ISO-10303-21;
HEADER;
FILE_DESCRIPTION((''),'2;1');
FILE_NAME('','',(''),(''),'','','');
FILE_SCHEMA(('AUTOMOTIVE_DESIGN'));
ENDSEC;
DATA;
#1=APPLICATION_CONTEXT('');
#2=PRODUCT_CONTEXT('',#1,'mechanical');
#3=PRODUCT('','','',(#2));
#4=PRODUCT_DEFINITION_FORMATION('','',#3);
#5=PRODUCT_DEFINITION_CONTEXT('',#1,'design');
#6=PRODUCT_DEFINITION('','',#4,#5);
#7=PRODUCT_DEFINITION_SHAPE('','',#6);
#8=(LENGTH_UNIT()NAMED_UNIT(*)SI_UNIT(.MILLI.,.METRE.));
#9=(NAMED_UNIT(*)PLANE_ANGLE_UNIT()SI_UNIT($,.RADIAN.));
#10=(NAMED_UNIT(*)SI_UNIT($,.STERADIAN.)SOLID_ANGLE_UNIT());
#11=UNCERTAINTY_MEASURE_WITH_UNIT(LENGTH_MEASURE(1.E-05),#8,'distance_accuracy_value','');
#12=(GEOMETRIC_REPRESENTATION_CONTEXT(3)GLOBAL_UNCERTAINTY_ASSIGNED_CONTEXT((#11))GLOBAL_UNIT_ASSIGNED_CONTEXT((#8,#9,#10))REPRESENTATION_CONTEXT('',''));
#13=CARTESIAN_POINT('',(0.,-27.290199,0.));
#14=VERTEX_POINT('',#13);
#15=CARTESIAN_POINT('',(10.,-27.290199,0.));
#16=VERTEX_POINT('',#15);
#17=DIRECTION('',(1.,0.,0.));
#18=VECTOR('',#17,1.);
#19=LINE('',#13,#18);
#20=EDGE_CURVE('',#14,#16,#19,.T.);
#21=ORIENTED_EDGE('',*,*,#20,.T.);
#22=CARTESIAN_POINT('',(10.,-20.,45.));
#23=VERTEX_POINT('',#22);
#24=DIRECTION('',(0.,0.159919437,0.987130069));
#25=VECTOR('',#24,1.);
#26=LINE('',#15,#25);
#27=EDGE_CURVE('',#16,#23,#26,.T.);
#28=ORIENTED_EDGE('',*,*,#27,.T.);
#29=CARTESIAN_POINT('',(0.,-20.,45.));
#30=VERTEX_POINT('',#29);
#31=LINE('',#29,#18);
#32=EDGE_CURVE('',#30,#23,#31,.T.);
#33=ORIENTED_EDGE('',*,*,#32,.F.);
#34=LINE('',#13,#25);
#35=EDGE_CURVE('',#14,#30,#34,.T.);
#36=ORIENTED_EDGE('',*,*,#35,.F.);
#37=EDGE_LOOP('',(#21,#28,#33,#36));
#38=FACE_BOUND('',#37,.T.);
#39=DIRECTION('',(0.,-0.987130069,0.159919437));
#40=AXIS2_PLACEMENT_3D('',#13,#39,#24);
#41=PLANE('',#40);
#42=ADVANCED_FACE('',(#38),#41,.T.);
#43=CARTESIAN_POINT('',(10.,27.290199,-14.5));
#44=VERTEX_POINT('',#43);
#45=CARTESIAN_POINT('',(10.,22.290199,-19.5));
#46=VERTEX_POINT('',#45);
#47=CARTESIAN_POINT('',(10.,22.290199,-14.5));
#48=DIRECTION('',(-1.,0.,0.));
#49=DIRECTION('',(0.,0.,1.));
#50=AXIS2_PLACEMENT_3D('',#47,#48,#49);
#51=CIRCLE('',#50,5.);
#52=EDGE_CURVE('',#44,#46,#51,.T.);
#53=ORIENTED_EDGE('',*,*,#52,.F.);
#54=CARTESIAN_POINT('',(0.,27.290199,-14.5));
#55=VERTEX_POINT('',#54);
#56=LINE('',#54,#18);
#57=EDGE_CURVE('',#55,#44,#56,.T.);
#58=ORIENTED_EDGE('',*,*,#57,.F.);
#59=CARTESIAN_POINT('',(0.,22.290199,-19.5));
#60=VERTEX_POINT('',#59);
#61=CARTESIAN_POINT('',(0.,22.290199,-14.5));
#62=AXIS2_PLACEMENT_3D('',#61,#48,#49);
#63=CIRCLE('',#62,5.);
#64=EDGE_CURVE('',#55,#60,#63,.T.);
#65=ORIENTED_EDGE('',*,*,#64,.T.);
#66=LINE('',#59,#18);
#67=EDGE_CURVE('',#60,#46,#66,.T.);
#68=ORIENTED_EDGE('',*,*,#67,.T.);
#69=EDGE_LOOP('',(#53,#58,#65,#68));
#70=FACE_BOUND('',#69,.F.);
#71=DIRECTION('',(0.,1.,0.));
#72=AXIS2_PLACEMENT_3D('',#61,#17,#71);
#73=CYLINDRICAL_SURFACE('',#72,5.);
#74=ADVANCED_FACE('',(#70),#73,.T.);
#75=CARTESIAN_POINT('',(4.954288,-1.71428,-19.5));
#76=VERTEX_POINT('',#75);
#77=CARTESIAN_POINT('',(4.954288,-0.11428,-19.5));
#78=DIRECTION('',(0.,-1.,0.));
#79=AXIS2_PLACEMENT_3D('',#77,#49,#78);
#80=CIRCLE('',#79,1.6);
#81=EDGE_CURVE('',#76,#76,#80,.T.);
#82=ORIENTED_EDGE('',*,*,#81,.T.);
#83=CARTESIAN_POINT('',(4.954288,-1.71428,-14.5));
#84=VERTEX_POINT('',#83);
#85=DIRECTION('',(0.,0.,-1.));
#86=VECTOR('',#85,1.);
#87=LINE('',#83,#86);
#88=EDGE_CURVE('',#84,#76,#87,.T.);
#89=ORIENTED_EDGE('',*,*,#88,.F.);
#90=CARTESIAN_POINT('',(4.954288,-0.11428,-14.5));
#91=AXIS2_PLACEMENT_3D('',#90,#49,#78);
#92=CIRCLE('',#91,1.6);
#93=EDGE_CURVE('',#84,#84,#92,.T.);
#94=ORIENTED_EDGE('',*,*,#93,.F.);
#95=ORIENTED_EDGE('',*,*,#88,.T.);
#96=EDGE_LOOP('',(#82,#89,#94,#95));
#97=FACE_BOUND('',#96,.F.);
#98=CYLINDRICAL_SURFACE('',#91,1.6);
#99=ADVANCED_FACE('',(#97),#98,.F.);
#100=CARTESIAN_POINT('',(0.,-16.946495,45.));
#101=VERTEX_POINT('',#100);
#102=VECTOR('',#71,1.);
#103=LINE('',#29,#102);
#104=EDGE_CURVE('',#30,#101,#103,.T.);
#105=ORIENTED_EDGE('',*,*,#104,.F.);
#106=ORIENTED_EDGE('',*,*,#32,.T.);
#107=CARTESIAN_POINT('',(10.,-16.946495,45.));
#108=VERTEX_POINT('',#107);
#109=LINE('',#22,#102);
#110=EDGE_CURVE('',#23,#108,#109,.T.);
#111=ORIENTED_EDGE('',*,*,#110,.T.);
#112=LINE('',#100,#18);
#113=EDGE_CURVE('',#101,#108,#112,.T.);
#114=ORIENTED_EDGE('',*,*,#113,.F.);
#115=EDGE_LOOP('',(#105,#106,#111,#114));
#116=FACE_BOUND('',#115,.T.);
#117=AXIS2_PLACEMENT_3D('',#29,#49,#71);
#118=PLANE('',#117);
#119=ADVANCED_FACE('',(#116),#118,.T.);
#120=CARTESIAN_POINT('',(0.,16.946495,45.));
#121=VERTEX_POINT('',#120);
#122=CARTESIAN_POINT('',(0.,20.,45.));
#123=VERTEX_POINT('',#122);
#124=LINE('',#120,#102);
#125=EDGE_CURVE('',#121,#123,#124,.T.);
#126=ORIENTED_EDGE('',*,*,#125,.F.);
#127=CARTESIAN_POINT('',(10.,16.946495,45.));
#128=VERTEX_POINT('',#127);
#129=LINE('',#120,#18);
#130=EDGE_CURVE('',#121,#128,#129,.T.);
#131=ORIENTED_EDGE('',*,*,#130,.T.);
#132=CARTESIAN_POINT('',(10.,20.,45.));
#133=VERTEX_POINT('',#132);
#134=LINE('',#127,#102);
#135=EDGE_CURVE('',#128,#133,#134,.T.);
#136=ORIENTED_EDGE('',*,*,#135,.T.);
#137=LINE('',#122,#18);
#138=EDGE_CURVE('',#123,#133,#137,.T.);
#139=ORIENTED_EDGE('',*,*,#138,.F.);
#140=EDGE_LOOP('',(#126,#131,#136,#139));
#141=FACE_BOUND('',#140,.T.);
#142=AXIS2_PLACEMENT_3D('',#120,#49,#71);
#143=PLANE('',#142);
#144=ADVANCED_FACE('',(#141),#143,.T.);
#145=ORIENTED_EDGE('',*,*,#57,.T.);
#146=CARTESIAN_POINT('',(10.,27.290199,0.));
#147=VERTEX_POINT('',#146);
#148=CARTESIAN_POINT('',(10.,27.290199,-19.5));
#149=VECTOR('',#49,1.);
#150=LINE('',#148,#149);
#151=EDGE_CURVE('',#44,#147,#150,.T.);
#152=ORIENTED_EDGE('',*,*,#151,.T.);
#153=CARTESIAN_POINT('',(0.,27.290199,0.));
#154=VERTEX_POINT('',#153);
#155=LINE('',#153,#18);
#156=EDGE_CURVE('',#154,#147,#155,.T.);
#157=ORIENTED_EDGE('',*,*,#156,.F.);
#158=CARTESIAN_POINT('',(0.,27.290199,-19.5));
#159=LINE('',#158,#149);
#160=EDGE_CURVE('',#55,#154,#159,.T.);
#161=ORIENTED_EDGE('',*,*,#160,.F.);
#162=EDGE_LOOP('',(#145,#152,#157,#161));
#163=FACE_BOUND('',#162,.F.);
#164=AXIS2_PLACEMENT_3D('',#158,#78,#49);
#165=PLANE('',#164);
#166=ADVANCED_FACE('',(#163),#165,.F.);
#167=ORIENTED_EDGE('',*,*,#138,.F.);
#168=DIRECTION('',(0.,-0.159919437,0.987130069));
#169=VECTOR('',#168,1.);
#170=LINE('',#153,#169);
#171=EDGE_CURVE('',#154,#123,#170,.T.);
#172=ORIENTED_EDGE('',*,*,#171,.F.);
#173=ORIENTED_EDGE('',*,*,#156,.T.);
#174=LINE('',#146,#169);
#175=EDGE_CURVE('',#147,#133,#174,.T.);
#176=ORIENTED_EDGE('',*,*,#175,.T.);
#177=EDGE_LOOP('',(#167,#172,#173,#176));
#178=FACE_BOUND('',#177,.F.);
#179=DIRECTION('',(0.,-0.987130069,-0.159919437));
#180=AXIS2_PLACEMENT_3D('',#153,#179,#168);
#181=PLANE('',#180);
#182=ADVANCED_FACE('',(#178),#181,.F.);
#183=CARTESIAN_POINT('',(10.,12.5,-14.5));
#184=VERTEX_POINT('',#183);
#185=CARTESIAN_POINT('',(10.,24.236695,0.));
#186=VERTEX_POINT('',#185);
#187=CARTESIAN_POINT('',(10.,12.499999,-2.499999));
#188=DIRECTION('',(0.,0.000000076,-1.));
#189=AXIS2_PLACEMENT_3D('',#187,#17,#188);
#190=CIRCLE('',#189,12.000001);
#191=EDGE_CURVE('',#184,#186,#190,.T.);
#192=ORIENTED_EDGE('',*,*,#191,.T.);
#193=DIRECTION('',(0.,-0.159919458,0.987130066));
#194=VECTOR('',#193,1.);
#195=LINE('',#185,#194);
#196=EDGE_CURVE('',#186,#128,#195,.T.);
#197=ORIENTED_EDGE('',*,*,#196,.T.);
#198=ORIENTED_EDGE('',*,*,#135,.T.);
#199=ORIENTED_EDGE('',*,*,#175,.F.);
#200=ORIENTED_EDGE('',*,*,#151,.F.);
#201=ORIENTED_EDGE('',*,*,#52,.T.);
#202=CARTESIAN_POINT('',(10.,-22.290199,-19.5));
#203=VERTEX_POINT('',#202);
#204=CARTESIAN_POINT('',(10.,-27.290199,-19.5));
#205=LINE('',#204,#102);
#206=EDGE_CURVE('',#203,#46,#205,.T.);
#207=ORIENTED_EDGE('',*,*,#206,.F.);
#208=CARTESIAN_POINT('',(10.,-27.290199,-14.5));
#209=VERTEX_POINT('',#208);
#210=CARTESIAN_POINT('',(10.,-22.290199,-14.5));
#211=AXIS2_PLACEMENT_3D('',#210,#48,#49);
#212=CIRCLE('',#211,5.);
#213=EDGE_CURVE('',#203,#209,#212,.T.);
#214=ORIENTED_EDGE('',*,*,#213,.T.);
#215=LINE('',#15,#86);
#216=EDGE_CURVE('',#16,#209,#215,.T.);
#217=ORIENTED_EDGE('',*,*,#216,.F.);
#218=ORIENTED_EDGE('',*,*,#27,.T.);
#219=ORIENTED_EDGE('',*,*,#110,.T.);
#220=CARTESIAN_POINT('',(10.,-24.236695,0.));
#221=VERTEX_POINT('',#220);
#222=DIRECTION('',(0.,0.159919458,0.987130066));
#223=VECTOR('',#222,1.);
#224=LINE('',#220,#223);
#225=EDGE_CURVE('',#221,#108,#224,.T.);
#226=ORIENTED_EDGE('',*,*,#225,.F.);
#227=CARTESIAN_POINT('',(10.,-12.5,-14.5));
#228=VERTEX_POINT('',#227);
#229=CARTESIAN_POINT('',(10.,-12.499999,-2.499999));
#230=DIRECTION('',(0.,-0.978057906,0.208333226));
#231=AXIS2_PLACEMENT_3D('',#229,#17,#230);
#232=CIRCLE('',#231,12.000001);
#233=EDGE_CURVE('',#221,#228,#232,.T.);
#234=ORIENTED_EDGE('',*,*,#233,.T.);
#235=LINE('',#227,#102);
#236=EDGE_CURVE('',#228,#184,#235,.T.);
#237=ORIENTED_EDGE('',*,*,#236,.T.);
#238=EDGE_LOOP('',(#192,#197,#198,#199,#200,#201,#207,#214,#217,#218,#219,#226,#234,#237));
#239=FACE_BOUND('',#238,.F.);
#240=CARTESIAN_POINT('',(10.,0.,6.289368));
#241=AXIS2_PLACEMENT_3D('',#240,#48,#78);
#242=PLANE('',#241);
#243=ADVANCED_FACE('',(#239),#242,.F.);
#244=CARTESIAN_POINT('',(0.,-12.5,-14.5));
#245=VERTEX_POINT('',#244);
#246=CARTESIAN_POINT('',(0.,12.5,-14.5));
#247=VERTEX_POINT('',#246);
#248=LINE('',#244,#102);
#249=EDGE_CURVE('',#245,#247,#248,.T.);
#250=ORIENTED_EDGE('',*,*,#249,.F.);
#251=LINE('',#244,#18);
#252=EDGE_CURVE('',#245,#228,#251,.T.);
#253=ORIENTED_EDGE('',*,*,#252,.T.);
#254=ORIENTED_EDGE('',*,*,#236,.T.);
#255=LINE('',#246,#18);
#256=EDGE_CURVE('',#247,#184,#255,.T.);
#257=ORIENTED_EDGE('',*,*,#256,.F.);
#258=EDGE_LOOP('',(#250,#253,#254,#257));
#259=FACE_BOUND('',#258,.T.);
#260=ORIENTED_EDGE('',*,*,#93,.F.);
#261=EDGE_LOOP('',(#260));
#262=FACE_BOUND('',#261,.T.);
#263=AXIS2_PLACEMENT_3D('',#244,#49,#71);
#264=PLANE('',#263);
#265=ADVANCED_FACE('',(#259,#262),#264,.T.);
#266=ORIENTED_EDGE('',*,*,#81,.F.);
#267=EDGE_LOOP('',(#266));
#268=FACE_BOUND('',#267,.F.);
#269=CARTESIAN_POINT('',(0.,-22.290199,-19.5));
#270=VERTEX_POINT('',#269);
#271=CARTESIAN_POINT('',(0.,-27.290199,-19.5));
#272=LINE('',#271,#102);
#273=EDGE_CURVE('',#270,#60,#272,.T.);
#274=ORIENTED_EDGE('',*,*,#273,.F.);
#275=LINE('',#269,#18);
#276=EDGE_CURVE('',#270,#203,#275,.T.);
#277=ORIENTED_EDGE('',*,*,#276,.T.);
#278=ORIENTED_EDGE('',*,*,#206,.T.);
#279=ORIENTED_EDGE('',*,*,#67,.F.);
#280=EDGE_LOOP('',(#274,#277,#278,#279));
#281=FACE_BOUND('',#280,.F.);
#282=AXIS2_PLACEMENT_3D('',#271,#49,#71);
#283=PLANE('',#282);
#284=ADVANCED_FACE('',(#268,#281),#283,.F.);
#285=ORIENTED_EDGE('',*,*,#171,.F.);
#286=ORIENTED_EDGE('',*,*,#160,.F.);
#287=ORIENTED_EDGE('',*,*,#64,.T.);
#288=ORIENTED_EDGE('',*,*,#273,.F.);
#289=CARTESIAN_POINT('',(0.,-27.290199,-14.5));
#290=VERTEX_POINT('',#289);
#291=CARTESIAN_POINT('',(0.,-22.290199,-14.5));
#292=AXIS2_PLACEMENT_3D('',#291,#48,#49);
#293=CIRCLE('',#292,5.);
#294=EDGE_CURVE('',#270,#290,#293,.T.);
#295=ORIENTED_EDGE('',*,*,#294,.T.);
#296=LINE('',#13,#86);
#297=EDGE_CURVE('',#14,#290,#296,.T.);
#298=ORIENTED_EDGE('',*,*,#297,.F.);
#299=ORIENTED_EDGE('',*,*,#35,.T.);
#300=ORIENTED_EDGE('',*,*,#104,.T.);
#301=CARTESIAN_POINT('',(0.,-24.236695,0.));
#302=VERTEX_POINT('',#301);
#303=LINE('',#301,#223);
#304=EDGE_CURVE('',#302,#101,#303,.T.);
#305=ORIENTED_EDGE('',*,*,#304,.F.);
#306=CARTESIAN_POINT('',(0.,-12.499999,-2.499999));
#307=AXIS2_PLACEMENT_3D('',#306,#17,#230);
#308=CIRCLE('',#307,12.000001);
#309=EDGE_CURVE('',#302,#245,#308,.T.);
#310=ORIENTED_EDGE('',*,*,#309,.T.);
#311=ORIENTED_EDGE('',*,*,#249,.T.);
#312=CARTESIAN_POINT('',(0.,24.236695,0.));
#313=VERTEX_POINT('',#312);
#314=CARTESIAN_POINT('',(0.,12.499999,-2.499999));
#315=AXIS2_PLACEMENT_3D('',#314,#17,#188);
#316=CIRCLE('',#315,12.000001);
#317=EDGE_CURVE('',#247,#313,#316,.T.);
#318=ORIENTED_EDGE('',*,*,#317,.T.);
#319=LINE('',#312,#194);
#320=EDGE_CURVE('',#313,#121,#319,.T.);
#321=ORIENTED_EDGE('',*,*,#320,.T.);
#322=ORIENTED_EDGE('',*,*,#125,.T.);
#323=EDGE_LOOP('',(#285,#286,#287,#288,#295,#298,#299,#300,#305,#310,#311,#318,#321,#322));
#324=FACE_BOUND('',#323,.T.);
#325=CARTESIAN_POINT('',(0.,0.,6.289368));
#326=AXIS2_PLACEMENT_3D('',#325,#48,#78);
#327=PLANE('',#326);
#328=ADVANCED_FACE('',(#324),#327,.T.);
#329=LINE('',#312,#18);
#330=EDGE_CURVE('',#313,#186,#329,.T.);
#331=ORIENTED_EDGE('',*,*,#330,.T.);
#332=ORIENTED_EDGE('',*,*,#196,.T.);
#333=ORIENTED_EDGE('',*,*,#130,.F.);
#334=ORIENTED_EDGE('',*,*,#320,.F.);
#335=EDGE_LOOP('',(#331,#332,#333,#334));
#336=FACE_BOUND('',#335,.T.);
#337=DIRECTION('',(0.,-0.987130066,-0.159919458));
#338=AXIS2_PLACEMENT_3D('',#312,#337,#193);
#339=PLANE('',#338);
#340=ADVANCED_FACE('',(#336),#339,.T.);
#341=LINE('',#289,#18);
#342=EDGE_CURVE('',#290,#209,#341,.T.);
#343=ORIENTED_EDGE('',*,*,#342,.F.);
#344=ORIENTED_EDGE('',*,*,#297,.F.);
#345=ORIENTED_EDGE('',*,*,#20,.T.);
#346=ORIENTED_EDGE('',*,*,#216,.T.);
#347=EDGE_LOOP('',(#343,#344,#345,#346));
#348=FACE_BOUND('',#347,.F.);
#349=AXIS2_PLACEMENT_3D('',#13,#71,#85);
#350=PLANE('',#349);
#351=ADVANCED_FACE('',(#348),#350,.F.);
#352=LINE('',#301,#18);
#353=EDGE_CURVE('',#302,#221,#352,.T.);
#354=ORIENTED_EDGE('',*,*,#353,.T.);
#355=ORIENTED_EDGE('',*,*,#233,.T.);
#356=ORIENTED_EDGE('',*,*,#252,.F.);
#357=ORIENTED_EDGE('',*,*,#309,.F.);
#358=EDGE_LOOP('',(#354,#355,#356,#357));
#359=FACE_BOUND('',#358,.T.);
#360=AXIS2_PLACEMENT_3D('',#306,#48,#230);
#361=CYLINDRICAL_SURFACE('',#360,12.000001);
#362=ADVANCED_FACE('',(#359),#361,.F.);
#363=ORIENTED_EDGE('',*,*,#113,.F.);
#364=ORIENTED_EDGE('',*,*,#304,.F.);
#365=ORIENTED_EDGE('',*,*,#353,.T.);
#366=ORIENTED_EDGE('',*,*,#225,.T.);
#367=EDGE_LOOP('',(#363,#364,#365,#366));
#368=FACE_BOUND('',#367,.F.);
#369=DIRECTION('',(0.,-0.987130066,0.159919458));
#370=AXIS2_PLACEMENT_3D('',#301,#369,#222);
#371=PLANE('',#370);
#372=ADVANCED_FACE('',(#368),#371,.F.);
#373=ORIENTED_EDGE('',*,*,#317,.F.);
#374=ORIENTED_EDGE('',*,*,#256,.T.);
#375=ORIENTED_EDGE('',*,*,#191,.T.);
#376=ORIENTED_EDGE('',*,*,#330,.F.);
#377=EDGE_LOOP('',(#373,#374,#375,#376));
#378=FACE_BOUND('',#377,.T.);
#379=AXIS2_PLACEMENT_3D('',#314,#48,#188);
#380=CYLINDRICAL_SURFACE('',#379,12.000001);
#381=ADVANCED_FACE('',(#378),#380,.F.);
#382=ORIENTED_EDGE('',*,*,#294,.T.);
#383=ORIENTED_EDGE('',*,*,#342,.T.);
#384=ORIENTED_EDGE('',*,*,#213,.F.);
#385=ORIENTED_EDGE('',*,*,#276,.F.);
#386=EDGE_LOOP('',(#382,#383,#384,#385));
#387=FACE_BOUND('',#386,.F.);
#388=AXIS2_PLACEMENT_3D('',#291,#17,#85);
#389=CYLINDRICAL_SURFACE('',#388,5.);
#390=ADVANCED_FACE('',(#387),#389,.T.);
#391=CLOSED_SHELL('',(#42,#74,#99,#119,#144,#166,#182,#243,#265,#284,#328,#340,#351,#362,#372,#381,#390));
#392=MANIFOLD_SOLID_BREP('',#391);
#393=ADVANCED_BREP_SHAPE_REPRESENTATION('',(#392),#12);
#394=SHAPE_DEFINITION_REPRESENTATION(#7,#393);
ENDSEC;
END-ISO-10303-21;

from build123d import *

# Parameters (mm, degrees)
PAD_DEPTH    = 10
FILLET_R     = 5
SKETCH001_R  = 1.6
POCKET_DEPTH = 5.001


with BuildPart() as part:
    # Sketch → Pad (new body)
    with BuildSketch(Plane.YZ):
        with BuildLine():
            Line((-12.5, -14.5), (12.5, -14.5))
            ThreePointArc((12.5, -14.5), (21.827379, -10.049834), (24.236695, 0))
            Line((24.236695, 0), (16.946495, 45))
            Line((16.946495, 45), (20, 45))
            Line((27.290199, 0), (20, 45))
            Line((27.290199, -19.5), (27.290199, 0))
            Line((-27.290199, -19.5), (27.290199, -19.5))
            Line((-27.290199, 0), (-27.290199, -19.5))
            Line((-27.290199, 0), (-20, 45))
            Line((-20, 45), (-16.946495, 45))
            Line((-24.236695, 0), (-16.946495, 45))
            ThreePointArc((-24.236695, 0), (-21.827379, -10.049834), (-12.5, -14.5))
        make_face()
    extrude(amount=PAD_DEPTH)

    # Fillet
    fillet_edges = [part.edges().sort_by_distance(p)[0] for p in [
        (5, -27.290199, -19.5),
        (5, 27.290199, -19.5),
    ]]
    fillet(fillet_edges, radius=FILLET_R)

    # Sketch001 (on Face13 of Fillet) → Pocket (cut, through all)
    with BuildSketch(Plane(origin=(0, 0, -14.5), x_dir=(0, -1, 0), z_dir=(0, 0, 1))):
        with Locations((0.11428, 4.954288)):
            Circle(SKETCH001_R)
    extrude(amount=-POCKET_DEPTH, mode=Mode.SUBTRACT)


solid = part.part
